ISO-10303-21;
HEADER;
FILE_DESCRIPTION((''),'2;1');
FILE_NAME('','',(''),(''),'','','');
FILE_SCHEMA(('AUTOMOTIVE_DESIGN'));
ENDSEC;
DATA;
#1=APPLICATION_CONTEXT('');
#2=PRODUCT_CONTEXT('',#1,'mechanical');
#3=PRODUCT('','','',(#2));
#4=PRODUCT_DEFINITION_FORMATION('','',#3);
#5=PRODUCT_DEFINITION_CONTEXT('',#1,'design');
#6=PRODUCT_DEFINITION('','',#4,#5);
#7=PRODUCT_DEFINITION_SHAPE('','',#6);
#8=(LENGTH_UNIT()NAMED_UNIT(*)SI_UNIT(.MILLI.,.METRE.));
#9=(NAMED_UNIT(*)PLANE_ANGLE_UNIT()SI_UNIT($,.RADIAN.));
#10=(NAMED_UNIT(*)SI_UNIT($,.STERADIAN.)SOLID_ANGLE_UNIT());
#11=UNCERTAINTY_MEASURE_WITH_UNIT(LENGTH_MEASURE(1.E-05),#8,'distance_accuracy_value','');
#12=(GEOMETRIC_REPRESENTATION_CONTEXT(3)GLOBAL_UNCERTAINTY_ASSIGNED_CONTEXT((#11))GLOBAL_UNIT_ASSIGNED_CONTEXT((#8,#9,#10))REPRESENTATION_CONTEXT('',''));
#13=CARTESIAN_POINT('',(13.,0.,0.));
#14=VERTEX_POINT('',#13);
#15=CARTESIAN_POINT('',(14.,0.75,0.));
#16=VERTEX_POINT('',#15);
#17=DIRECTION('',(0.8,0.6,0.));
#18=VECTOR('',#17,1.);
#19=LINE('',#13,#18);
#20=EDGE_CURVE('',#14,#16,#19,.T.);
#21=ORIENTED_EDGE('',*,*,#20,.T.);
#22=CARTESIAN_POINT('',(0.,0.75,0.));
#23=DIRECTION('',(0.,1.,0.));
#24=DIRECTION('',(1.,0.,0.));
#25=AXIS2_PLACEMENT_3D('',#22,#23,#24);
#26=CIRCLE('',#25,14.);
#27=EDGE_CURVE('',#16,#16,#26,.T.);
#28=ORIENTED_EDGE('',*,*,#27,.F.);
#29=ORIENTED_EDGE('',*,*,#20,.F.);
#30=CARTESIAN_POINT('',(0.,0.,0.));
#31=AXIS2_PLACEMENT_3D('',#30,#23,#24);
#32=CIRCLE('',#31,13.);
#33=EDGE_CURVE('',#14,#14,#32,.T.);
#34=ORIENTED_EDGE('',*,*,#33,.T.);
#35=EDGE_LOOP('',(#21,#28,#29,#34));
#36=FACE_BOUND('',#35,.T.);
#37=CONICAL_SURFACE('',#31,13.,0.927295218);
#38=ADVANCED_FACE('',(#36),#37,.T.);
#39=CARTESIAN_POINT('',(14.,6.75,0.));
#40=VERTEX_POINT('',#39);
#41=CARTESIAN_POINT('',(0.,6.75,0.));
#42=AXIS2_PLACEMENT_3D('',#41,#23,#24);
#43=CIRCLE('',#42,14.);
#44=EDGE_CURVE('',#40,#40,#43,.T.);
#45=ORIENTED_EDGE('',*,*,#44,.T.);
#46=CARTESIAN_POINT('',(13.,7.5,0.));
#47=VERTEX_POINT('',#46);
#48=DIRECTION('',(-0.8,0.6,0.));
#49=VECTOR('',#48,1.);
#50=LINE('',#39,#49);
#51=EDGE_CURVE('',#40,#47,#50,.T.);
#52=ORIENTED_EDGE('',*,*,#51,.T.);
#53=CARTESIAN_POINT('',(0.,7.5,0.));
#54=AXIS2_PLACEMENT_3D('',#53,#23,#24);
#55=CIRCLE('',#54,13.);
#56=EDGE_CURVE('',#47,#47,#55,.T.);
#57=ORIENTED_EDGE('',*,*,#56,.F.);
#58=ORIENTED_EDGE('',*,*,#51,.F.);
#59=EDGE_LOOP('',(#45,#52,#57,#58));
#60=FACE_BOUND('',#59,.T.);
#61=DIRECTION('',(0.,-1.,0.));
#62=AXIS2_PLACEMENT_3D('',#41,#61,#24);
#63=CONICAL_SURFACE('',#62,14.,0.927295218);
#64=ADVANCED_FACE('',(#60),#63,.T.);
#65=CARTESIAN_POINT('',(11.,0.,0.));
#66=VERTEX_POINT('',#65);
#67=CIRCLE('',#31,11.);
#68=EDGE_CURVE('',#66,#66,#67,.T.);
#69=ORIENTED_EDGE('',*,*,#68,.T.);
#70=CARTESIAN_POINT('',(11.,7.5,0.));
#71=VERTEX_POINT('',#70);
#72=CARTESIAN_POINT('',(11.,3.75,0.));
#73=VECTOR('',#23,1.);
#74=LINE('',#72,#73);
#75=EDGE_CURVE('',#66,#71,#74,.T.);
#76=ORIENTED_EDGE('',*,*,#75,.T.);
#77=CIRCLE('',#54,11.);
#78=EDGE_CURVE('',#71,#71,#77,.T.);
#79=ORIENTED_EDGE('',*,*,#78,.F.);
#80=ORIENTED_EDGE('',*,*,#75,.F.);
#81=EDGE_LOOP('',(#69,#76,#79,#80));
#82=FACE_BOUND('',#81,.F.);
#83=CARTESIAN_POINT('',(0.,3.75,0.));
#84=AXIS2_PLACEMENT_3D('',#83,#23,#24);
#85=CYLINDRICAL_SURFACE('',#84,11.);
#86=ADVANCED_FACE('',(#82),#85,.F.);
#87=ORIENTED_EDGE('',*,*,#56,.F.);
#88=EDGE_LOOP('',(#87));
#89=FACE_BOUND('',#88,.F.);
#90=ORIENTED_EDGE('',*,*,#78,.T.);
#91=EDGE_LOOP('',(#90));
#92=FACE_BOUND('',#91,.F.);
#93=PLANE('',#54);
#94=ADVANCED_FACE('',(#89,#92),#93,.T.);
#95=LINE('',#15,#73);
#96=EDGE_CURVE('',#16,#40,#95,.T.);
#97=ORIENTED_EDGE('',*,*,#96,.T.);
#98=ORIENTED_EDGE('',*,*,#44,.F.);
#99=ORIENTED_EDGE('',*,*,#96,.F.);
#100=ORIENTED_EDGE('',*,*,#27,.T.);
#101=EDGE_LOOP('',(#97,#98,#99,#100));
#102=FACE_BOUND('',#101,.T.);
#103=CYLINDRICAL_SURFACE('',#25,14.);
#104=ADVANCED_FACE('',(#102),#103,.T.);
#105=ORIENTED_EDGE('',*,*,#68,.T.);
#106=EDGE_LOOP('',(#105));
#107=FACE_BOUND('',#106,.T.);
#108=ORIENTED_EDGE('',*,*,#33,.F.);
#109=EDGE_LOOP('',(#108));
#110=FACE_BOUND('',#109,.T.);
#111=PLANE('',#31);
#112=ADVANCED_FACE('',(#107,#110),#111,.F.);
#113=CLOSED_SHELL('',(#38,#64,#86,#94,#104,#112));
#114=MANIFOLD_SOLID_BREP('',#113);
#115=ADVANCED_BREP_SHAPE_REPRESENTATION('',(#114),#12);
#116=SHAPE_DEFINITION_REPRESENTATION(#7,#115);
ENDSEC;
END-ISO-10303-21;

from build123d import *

# Parameters (mm, degrees)
F0_W = 2
F0_H = 7.5


with BuildPart() as f1:
    # F0 (on Top) → F1 (revolve)
    with BuildSketch(Plane.XY):
        Polygon((13, 7.5), (13, 0), (14, 0.75), (14, 6.75), align=None)
        with Locations((12, 3.75)):
            Rectangle(F0_W, F0_H)
    revolve(axis=Axis((0, 7.130001, 0), (0, 1, 0)))


solid = f1.part
